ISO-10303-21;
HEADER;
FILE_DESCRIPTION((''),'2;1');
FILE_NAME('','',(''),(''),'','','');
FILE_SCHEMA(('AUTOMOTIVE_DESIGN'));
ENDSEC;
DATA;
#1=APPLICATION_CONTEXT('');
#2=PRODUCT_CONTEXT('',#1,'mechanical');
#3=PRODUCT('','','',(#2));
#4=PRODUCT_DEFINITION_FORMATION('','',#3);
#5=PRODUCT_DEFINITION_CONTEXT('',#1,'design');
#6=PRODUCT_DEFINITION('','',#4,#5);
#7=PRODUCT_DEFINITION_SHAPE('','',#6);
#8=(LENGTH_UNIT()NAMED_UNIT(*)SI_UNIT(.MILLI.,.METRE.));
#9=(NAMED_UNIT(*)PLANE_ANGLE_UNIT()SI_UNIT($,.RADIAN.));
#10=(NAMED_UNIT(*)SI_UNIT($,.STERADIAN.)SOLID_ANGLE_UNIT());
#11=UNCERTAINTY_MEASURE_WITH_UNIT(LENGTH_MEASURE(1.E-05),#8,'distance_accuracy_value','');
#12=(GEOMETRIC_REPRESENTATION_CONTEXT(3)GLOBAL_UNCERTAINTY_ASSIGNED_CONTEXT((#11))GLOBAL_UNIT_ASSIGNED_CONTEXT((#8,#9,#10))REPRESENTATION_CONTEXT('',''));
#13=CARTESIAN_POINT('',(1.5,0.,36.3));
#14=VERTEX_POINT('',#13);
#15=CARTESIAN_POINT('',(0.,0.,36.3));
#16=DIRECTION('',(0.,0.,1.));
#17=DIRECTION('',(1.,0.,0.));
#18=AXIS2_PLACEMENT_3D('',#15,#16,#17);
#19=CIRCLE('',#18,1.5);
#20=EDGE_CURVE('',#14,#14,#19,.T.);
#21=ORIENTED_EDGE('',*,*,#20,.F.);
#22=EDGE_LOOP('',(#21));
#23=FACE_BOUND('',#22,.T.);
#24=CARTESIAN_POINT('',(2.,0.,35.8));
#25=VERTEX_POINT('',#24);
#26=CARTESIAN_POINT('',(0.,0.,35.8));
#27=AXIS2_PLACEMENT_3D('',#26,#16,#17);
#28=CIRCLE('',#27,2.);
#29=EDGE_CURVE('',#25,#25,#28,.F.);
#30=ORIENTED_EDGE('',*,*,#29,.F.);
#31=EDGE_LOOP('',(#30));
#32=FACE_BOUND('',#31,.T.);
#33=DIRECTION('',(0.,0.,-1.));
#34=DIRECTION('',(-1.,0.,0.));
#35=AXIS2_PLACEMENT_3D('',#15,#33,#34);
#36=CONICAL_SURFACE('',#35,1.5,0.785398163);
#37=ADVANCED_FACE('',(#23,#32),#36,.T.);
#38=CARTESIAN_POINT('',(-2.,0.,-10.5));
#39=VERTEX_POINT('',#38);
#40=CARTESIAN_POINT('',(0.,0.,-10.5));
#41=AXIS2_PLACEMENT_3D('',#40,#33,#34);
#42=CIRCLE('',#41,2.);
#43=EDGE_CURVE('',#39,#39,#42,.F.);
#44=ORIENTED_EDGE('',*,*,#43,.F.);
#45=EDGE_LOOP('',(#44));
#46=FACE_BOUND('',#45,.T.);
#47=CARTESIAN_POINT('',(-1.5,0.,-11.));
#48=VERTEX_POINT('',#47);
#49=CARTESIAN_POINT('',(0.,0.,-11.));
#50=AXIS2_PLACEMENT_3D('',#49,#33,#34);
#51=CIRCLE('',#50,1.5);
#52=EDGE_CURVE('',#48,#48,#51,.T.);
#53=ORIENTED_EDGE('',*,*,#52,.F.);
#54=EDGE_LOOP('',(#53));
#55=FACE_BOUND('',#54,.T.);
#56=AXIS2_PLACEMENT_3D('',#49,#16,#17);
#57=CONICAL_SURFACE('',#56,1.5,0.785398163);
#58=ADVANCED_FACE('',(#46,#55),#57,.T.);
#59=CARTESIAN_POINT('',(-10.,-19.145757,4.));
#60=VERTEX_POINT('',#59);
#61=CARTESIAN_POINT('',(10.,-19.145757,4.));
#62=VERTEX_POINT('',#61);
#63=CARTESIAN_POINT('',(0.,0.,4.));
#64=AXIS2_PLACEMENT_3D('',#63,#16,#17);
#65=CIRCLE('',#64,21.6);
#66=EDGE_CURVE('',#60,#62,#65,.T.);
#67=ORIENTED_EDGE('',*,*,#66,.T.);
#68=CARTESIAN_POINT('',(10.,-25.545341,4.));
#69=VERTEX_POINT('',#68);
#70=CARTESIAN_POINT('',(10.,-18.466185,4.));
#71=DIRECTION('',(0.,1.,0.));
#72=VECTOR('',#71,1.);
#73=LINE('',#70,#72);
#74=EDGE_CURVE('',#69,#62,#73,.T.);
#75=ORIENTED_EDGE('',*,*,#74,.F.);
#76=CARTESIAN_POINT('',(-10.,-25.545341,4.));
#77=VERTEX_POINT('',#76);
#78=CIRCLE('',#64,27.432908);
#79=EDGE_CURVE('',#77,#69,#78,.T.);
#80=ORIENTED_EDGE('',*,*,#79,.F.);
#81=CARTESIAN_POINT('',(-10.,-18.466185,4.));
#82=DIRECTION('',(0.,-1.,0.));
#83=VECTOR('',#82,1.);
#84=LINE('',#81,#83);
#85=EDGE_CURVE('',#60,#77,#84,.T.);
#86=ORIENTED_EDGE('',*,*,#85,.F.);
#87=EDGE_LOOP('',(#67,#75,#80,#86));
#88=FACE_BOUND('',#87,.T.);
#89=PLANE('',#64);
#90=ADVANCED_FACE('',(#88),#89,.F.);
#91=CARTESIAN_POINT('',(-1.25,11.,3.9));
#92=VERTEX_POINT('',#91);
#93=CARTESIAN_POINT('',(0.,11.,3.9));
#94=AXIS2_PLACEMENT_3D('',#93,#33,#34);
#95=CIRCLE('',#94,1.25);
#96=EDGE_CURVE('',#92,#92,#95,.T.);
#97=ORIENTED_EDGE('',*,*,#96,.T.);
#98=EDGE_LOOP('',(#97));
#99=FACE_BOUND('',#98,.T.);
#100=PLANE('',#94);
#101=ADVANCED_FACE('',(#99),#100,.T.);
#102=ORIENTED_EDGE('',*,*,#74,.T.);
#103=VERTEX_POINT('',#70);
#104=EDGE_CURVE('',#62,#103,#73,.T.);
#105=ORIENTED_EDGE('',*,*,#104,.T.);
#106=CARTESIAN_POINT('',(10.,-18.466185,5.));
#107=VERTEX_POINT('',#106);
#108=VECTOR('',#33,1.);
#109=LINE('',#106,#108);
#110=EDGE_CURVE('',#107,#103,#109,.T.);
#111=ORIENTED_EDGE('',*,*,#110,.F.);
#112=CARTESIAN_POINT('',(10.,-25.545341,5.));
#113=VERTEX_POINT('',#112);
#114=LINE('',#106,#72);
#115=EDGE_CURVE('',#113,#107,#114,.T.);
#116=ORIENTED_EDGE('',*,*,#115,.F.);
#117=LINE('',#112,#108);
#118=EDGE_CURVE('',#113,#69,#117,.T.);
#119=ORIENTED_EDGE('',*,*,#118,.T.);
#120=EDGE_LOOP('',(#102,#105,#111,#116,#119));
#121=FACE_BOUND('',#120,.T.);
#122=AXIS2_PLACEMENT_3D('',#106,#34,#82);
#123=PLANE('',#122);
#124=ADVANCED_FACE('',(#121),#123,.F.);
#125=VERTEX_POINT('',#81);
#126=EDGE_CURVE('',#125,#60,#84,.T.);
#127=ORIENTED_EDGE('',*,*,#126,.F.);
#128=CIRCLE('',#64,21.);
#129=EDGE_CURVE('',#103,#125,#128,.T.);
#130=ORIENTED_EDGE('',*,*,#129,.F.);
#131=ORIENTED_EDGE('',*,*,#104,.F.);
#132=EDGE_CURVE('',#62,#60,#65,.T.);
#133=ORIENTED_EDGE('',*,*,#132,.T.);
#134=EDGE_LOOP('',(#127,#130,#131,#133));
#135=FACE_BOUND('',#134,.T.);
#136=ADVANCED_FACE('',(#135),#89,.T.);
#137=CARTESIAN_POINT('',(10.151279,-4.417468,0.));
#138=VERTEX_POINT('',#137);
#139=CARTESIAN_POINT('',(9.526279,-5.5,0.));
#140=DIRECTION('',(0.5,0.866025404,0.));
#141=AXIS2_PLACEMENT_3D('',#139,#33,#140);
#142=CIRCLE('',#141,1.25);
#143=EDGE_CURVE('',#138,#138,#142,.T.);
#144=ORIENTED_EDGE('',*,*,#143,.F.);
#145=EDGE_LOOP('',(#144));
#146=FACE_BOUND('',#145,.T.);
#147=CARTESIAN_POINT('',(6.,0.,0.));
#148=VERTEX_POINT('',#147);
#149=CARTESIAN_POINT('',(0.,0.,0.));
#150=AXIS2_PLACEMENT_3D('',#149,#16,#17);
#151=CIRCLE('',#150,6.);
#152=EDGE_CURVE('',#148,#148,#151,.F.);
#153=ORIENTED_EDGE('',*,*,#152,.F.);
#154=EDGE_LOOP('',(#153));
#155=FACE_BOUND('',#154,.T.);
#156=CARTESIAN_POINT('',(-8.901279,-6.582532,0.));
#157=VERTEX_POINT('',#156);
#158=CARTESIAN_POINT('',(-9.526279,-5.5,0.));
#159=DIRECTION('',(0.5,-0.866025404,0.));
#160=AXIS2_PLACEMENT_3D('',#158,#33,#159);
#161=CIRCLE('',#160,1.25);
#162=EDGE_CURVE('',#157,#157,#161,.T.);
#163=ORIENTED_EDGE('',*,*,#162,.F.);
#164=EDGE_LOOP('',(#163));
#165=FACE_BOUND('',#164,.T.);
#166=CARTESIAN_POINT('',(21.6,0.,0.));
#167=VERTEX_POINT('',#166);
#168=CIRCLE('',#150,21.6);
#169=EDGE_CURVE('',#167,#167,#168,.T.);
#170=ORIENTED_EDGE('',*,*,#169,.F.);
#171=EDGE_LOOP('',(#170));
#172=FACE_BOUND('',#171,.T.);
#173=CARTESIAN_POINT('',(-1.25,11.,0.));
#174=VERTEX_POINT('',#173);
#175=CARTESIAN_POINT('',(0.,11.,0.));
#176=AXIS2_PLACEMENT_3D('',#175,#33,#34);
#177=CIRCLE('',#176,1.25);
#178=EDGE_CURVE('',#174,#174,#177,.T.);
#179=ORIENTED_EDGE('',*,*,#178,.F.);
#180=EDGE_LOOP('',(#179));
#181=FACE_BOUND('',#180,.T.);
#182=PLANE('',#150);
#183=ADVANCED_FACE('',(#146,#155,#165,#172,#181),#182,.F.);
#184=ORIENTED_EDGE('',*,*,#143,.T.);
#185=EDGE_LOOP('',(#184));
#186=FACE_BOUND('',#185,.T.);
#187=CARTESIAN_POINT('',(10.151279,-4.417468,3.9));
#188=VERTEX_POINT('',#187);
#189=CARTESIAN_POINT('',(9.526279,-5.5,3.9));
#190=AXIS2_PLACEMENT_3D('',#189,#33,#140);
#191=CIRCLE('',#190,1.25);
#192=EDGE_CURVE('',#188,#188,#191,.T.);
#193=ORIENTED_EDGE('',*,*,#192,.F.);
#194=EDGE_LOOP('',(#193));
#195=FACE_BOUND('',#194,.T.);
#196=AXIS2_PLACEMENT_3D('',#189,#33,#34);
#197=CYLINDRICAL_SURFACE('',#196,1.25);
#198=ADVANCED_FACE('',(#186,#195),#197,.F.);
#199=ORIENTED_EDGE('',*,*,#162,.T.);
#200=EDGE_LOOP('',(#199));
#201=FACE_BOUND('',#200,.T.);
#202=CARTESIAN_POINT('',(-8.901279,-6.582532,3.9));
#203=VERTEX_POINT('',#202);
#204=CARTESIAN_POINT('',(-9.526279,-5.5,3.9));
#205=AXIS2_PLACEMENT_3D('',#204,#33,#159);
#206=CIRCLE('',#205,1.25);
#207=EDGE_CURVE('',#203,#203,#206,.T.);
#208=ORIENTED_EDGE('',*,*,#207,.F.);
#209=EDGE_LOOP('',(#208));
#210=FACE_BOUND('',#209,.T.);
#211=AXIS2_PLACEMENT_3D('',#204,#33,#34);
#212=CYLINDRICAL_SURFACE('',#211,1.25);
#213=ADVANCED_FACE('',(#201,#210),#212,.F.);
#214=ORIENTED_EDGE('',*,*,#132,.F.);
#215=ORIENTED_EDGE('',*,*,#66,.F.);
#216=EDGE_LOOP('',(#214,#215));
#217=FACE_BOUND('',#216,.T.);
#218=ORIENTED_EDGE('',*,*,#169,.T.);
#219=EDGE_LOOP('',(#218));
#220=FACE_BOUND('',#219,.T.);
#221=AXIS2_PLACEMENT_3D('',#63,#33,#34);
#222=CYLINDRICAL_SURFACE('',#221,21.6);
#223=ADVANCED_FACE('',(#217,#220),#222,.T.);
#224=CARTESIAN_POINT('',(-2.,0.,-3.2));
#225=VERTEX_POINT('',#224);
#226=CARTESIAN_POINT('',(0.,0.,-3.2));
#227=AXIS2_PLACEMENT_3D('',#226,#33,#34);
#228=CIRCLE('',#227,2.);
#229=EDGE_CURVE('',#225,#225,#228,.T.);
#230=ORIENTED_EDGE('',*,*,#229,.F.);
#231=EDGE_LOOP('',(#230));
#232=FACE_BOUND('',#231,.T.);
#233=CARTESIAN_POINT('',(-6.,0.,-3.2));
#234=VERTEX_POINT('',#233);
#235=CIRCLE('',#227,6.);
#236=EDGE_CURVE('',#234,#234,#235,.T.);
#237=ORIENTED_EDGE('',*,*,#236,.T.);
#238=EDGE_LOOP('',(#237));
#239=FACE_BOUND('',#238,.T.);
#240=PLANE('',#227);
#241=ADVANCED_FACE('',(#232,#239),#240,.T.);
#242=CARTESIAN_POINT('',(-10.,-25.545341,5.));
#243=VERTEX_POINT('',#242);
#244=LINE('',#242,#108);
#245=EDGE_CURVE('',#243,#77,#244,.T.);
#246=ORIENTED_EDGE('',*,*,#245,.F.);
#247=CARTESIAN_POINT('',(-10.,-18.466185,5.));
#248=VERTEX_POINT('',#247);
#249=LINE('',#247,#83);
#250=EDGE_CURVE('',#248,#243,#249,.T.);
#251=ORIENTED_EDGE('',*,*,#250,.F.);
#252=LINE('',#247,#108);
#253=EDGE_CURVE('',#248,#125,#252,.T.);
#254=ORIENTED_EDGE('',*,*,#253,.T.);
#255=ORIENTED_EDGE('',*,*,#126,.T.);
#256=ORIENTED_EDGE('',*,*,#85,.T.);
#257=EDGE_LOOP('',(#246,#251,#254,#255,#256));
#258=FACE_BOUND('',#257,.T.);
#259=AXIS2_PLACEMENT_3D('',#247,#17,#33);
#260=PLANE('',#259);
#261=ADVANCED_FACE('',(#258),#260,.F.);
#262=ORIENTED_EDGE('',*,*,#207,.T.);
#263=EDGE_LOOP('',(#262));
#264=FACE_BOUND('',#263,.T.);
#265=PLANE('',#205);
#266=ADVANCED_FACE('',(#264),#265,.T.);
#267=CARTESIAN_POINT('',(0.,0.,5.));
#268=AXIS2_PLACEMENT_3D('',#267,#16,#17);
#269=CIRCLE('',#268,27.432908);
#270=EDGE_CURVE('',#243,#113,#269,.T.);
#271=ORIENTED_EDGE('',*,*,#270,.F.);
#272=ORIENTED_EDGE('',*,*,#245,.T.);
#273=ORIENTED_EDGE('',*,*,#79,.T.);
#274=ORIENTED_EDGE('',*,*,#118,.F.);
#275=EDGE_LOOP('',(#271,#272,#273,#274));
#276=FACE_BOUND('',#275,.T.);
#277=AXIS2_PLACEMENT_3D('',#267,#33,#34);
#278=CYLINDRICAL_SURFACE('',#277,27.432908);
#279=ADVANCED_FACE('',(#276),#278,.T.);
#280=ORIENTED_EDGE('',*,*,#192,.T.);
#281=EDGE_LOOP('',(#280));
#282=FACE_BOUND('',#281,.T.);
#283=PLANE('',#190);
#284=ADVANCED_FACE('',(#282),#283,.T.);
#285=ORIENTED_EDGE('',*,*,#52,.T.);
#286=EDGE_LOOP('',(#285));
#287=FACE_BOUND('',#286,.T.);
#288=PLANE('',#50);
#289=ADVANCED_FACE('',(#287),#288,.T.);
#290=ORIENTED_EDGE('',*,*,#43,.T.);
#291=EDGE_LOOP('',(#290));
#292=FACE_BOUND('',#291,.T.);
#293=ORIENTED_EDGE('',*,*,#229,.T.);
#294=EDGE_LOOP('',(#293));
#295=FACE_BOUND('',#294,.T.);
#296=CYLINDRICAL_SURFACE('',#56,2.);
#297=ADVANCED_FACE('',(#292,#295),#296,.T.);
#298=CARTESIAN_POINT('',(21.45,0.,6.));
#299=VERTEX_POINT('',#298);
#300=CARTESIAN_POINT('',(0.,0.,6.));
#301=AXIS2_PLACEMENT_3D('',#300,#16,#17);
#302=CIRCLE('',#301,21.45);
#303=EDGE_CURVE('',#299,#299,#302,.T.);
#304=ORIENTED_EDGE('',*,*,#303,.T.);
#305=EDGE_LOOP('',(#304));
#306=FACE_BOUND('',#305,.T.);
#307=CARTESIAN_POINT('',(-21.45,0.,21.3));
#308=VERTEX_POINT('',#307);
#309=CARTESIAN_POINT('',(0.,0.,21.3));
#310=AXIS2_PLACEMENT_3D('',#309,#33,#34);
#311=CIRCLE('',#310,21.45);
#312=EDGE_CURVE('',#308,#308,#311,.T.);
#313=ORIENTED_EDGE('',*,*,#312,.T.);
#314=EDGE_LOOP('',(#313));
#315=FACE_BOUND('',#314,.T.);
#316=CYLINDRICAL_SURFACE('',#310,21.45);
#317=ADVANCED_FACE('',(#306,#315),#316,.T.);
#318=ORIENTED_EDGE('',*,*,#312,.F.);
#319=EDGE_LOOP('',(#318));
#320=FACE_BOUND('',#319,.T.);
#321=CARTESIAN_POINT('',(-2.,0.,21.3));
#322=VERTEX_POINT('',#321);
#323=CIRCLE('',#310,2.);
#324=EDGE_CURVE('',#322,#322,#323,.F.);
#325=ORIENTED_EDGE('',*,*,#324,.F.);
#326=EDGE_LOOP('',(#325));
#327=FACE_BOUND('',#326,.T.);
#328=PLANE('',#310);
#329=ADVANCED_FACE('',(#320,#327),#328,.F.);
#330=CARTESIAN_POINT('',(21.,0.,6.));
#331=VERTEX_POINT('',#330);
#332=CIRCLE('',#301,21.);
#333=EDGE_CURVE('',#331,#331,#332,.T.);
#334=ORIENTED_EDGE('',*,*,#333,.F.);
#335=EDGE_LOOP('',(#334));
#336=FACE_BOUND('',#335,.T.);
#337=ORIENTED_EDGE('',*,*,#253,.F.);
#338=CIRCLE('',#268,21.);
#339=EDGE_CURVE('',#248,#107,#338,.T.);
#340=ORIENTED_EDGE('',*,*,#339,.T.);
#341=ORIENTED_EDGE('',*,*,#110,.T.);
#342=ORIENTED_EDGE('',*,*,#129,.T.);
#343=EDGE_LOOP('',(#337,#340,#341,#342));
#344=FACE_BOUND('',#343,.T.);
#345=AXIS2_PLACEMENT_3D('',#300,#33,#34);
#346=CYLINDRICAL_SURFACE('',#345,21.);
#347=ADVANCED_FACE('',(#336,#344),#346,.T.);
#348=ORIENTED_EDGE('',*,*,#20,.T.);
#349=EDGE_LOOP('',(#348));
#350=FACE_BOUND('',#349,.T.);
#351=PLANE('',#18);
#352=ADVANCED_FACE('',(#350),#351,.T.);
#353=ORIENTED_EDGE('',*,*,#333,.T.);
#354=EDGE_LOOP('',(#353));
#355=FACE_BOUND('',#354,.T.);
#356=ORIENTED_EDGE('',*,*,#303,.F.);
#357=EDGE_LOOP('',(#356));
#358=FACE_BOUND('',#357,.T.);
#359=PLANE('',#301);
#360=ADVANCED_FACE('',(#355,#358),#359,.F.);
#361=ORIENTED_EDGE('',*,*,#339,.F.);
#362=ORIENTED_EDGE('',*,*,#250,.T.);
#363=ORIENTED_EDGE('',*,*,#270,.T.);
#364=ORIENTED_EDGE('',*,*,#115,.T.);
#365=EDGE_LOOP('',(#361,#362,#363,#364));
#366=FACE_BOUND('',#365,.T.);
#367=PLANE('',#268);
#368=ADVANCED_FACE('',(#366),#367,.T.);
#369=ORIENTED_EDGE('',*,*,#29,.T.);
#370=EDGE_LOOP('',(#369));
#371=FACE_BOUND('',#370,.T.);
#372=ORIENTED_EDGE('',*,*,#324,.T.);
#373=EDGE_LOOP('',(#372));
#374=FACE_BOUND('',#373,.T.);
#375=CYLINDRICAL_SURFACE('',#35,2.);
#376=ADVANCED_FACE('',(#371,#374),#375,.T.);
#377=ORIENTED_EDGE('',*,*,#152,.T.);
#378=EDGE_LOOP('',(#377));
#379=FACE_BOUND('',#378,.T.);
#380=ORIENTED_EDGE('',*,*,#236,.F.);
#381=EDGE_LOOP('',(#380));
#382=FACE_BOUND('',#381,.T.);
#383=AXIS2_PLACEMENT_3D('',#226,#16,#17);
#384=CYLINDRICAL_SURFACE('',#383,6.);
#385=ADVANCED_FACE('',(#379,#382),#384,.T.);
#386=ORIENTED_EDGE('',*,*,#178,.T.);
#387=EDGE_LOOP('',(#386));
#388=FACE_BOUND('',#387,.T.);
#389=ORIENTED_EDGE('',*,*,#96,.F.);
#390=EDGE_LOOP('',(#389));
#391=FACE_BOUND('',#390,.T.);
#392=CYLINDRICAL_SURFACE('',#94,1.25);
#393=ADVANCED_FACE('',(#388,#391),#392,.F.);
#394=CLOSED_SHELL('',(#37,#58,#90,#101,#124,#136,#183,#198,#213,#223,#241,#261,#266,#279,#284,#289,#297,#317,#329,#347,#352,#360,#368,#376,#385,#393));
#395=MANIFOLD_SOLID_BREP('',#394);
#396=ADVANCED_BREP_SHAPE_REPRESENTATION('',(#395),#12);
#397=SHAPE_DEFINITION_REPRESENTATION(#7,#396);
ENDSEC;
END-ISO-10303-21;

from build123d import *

# Parameters (mm, degrees)
SKETCH_1_R               = 21.6
EXTRUDE_1_DEPTH          = 4
SKETCH_6_R               = 21.45
EXTRUDE_6_DEPTH          = 21.3
SKETCH_2_R               = 2
EXTRUDE_2_DEPTH          = 15
SKETCH_3_R               = 1.25
CUT_EXTRUDE_3_DEPTH      = 3.9
PATTERN_CIRCULAR_1_COUNT = 3
SKETCH_4_R               = 6
EXTRUDE_4_DEPTH          = 3.2
EXTRUDE_START            = 7.8
SKETCH_5_R               = 2
EXTRUDE_5_DEPTH          = 7.8
SKETCH_7_R               = 21.45
SKETCH_7_R_2             = 21
CUT_EXTRUDE_7_DEPTH      = 2
EXTRUDE_9_DEPTH          = 1
CHAMFER_1_SIZE           = 0.5


with BuildPart() as part:
    # 草图1 → 拉伸1 (new body)
    with BuildSketch(Plane.XY):
        Circle(SKETCH_1_R)
    extrude(amount=EXTRUDE_1_DEPTH)

    # 草图6 → 拉伸6 (add)
    with BuildSketch(Plane(origin=(0, 0, 0), x_dir=(-1, 0, 0), z_dir=(0, 0, -1))):
        Circle(SKETCH_6_R)
    extrude(amount=-EXTRUDE_6_DEPTH)

    # 草图2 → 拉伸2 (add)
    with BuildSketch(Plane.XY.offset(21.3)):
        with Locations(Location((0, 0, 0), (0, 0, 180))):
            Circle(SKETCH_2_R)
    extrude(amount=EXTRUDE_2_DEPTH)

    # 草图3 → 拉伸3 (cut)
    with BuildSketch(Plane(origin=(0, 0, 0), x_dir=(-1, 0, 0), z_dir=(0, 0, -1))):
        with Locations((0, 11)):
            Circle(SKETCH_3_R)
    cut_extrude_3 = extrude(amount=-CUT_EXTRUDE_3_DEPTH, mode=Mode.SUBTRACT)

    # 阵列(圆周)1: 拉伸3 ×3 about axis
    pattern_circular_1_axis = Axis((0, 0, 0), (0, 0, 1))
    for i in range(1, PATTERN_CIRCULAR_1_COUNT):
        add(cut_extrude_3.rotate(pattern_circular_1_axis, i * 360 / PATTERN_CIRCULAR_1_COUNT), mode=Mode.SUBTRACT)

    # 草图4 → 拉伸4 (add)
    with BuildSketch(Plane(origin=(0, 0, 0), x_dir=(-1, 0, 0), z_dir=(0, 0, -1))):
        with Locations(Location((0, 0, 0), (0, 0, 180))):
            Circle(SKETCH_4_R)
    extrude(amount=EXTRUDE_4_DEPTH)

    # 草图5 → 拉伸5 (add)
    with BuildSketch(Plane(origin=(0, 0, -3.2), x_dir=(-1, 0, 0), z_dir=(0, 0, -1)).offset(EXTRUDE_START)):
        Circle(SKETCH_5_R)
    extrude(amount=-EXTRUDE_5_DEPTH)

    # 草图7 → 拉伸7 (cut)
    with BuildSketch(Plane.XY.offset(4)):
        with Locations(Location((0, 0, 0), (0, 0, 180))):
            Circle(SKETCH_7_R)
        Circle(SKETCH_7_R_2, mode=Mode.SUBTRACT)
    extrude(amount=CUT_EXTRUDE_7_DEPTH, mode=Mode.SUBTRACT)

    # 草图9 → 拉伸9 (add)
    with BuildSketch(Plane.XY.offset(4)):
        with BuildLine():
            Line((-10, -18.466185313), (10, -18.466185313))
            Line((10, -18.466185313), (10, -25.545340812))
            ThreePointArc((10, -25.545340812), (0, -27.432907925), (-10, -25.545340812))
            Line((-10, -25.545340812), (-10, -18.466185313))
        make_face()
    extrude(amount=EXTRUDE_9_DEPTH)

    # 倒角1
    chamfer_1_edges = [part.edges().sort_by_distance(p)[0] for p in [
        (2, 0, 36.3),
        (2, 0, -11),
    ]]
    chamfer(chamfer_1_edges, length=CHAMFER_1_SIZE)


solid = part.part
